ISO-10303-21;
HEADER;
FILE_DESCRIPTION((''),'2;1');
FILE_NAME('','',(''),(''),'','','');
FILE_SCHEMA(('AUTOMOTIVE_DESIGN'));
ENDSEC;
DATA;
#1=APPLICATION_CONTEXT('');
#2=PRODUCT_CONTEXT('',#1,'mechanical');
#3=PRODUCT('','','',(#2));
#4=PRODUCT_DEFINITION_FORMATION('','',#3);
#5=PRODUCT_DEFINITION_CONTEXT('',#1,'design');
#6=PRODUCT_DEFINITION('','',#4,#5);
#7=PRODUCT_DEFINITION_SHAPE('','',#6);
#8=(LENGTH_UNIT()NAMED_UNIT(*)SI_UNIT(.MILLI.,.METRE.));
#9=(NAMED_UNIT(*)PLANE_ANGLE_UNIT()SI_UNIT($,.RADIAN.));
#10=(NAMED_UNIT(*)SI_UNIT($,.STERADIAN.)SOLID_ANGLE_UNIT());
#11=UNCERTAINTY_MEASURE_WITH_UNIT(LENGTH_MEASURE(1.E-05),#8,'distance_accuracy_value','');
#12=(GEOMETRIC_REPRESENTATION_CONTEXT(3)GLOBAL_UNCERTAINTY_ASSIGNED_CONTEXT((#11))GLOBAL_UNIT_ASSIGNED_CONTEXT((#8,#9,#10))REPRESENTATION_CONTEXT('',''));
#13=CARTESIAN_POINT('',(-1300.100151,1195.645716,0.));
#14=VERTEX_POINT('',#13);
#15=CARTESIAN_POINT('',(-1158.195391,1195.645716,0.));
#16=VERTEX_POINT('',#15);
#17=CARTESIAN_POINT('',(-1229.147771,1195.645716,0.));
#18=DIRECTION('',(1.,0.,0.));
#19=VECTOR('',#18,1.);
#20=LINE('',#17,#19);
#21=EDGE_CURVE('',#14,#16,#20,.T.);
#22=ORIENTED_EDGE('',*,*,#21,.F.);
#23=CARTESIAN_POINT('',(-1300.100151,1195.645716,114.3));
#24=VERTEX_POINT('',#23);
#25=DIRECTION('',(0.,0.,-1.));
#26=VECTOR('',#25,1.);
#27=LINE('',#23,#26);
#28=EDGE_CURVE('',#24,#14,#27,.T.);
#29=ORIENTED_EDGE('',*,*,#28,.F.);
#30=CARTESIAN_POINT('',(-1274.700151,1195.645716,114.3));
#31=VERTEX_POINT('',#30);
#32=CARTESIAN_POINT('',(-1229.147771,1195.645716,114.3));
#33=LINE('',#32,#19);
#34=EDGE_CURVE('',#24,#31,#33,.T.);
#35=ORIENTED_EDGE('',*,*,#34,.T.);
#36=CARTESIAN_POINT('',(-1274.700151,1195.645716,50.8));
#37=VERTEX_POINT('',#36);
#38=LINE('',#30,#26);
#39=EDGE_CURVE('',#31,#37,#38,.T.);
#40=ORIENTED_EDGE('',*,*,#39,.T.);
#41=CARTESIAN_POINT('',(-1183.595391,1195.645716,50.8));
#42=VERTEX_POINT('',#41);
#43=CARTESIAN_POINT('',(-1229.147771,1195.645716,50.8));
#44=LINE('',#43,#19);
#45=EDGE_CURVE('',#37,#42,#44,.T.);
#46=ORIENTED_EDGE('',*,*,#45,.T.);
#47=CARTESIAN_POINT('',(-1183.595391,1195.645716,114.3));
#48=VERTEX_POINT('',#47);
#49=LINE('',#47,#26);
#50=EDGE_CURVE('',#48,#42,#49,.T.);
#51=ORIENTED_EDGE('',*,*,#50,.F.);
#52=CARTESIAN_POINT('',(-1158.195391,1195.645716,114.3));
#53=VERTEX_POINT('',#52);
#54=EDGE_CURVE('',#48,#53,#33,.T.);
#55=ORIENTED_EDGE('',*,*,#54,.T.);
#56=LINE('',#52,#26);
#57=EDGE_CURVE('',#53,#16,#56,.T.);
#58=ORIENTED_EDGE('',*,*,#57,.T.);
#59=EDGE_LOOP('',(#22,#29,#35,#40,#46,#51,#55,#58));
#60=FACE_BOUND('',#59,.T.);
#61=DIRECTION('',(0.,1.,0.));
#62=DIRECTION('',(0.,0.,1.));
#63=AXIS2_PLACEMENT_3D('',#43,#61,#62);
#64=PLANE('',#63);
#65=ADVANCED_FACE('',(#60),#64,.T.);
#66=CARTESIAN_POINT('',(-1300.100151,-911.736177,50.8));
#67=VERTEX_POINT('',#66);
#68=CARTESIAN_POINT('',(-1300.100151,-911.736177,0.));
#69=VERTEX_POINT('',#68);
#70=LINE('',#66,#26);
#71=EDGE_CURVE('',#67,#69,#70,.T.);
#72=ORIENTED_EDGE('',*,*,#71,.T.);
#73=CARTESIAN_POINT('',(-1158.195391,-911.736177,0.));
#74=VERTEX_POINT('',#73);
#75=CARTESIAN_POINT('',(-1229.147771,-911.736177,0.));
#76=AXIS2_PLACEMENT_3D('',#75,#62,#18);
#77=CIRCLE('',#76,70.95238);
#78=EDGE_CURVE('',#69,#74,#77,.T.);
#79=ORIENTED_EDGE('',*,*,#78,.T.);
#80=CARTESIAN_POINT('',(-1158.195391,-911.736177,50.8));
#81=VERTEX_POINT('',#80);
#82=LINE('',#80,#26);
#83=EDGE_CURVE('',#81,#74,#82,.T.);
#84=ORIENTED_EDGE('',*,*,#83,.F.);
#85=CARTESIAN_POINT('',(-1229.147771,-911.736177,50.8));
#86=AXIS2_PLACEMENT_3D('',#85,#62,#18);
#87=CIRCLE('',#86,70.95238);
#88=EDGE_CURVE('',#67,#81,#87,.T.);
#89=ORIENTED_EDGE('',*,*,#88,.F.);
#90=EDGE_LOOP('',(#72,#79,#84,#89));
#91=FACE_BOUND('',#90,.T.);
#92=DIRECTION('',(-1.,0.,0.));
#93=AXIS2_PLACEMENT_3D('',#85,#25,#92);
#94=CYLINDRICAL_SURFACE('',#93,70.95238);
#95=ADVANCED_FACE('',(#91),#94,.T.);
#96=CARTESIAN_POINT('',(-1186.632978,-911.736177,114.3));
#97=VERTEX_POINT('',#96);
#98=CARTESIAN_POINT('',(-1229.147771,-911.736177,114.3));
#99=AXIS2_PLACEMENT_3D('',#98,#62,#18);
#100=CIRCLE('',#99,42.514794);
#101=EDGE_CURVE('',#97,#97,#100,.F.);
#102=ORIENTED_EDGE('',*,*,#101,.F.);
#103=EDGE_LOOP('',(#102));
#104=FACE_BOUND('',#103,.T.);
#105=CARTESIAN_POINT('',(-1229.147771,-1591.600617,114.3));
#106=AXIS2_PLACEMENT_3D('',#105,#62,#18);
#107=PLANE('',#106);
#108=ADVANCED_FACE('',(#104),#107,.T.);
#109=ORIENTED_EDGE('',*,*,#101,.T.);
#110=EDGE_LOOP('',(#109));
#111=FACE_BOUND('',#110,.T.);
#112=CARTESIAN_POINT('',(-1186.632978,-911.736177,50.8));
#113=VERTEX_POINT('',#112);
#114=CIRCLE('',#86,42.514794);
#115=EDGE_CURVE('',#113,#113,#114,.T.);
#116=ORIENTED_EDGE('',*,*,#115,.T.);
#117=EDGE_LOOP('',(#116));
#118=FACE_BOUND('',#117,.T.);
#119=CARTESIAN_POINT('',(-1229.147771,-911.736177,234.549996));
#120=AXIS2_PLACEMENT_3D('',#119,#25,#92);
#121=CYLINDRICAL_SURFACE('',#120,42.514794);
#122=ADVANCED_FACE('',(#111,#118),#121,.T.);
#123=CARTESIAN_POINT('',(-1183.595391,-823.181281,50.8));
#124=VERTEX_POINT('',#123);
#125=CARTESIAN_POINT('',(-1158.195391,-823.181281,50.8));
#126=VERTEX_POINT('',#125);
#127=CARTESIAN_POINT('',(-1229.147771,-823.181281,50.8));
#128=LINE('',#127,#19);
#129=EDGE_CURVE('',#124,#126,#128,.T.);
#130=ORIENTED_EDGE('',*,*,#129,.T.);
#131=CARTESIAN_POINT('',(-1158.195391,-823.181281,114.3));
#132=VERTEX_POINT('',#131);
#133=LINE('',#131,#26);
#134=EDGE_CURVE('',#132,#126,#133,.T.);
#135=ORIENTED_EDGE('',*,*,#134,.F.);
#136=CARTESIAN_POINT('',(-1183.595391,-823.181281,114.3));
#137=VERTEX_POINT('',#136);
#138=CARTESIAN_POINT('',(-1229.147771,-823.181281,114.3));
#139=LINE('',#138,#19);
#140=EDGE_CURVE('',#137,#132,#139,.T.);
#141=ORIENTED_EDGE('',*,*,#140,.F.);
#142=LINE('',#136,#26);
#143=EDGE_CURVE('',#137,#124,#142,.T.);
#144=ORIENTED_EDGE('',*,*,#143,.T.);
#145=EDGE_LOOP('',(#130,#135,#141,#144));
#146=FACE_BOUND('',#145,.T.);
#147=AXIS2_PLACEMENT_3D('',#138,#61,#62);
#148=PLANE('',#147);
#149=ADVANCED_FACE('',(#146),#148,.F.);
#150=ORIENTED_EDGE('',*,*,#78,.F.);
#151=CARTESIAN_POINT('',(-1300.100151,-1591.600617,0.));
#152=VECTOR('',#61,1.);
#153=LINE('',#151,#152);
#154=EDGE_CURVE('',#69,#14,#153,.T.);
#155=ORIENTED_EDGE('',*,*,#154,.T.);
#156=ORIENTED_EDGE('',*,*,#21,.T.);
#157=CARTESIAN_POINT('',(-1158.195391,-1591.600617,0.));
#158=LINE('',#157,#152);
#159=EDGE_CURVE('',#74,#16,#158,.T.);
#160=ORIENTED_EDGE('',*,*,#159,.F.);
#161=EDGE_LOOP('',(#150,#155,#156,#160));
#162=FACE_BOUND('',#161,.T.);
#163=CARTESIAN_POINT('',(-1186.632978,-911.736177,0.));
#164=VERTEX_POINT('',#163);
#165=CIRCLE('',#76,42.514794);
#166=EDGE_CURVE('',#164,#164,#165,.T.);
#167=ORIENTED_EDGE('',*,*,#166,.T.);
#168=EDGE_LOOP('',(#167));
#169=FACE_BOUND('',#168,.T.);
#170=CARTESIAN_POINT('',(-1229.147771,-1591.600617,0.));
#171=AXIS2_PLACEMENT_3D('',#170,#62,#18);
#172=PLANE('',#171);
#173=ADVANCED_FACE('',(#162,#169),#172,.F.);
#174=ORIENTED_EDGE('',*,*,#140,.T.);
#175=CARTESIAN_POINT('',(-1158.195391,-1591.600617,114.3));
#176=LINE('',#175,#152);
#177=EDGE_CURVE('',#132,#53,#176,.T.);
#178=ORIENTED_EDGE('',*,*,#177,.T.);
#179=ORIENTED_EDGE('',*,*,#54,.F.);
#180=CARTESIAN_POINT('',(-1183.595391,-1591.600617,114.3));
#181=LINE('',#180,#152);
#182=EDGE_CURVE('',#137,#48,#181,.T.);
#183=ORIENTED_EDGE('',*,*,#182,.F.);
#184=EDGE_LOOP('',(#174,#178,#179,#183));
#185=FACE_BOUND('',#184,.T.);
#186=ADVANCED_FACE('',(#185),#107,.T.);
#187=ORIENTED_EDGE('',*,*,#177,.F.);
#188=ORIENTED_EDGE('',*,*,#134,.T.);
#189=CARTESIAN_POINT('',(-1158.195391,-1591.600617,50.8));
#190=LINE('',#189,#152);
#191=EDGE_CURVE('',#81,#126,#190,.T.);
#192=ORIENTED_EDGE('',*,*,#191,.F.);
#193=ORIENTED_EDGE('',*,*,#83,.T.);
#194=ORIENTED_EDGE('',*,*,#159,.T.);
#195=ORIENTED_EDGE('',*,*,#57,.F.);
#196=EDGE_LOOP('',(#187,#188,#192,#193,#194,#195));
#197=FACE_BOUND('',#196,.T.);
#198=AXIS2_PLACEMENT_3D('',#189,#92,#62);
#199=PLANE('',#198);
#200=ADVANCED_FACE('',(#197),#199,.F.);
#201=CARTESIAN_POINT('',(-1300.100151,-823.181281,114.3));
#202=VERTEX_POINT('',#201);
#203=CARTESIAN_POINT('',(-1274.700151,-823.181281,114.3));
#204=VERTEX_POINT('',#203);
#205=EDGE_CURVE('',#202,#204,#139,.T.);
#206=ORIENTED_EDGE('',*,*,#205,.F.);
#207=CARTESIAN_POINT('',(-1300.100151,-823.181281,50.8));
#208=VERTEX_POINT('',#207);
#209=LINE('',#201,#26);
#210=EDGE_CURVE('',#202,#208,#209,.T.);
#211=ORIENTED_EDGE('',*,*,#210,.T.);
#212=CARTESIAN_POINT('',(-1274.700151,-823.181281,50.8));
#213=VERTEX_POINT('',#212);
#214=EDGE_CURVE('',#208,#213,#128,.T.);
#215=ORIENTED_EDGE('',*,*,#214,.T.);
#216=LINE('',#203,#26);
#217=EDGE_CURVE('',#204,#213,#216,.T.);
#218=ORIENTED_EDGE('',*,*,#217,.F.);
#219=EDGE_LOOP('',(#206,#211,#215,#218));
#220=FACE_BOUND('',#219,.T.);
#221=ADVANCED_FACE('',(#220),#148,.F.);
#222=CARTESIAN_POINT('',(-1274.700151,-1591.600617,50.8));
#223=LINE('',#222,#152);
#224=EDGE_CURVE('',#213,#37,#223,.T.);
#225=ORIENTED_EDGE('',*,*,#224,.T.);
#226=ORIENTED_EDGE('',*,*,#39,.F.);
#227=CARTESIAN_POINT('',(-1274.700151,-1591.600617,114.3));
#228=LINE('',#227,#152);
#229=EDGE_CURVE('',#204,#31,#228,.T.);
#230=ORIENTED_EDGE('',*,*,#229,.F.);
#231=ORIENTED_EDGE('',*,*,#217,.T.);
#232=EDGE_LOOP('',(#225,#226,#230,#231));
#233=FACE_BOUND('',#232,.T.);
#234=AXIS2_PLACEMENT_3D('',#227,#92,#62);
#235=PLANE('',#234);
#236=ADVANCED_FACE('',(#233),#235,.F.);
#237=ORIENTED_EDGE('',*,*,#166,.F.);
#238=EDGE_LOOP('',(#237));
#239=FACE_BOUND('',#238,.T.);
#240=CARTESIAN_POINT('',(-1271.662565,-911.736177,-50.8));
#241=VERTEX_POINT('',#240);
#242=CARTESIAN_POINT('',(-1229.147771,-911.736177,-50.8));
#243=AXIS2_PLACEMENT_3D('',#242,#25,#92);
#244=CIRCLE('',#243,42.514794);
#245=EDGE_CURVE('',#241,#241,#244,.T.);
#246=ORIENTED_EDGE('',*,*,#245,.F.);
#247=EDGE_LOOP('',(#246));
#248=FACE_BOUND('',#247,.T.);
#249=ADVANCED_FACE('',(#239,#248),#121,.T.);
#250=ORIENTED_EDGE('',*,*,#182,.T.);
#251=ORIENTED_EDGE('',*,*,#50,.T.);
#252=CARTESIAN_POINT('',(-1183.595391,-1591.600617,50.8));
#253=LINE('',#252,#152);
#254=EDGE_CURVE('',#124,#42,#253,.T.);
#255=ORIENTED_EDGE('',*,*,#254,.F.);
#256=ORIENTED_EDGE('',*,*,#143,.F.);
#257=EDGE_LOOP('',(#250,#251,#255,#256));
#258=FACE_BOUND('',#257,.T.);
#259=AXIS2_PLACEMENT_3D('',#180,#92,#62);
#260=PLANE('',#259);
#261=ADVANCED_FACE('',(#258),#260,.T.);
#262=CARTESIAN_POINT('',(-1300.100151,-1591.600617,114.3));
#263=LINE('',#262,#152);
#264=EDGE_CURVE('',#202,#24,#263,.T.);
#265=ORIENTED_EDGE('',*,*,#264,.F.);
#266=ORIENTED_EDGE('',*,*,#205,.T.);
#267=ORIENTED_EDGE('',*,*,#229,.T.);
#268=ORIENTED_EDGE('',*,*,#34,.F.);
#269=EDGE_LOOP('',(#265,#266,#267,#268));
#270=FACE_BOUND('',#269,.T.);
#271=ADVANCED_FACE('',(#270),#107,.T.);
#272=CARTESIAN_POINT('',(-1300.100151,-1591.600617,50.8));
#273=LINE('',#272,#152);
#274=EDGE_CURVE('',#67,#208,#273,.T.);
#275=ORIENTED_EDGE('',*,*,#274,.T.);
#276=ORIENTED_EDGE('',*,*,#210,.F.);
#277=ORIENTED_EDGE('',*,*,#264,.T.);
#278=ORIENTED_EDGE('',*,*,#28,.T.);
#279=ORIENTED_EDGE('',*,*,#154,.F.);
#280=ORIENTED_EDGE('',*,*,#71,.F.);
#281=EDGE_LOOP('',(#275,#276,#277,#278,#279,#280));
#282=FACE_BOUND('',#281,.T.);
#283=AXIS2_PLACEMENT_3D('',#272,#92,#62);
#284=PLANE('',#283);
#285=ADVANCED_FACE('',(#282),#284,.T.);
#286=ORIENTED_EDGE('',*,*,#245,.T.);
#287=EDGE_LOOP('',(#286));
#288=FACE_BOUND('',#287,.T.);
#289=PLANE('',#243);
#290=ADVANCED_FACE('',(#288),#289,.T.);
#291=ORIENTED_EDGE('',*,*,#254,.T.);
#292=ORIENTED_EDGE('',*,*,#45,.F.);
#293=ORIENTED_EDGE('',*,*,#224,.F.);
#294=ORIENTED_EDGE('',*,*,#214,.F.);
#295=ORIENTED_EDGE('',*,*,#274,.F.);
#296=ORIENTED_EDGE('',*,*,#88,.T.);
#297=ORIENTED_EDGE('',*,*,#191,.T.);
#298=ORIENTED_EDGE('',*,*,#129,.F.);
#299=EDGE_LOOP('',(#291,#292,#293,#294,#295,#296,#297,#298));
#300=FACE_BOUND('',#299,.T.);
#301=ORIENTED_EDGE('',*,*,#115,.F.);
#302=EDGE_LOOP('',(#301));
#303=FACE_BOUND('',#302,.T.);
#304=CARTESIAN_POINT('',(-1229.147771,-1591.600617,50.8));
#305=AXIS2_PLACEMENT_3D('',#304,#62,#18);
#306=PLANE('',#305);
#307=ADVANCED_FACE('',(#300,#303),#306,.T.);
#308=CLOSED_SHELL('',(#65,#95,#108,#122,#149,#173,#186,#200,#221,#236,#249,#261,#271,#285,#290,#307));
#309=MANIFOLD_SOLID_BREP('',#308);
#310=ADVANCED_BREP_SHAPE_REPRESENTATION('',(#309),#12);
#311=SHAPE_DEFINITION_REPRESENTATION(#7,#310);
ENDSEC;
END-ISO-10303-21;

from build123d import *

# Parameters (mm, degrees)
SKETCH1_R      = 42.514793855
EXTRUDE1_DEPTH = 50.8
SKETCH1_4_W    = 25.4
SKETCH1_4_H    = 2018.826997117
EXTRUDE2_DEPTH = 114.3
EXTRUDE3_START = 50.8
SKETCH2_R      = 42.514793855
EXTRUDE3_DEPTH = 165.1


with BuildPart() as part:
    # Sketch1 → Extrude1 (new body)
    with BuildSketch(Plane.XY):
        with BuildLine():
            Line((-1183.595391403, 1195.645715897), (-1274.700151443, 1195.645715897))
            Line((-1274.700151443, 1195.645715897), (-1274.700151443, -823.18128122))
            Line((-1274.700151443, -823.18128122), (-1300.100151443, -823.18128122))
            Line((-1300.100151443, -823.18128122), (-1300.100151443, -911.736177467))
            ThreePointArc((-1300.100151443, -911.736177467), (-1229.147771423, -982.688557487), (-1158.195391403, -911.736177467))
            Line((-1158.195391403, -911.736177467), (-1158.195391403, -823.18128122))
            Line((-1158.195391403, -823.18128122), (-1183.595391403, -823.18128122))
            Line((-1183.595391403, -823.18128122), (-1183.595391403, 1195.645715897))
        make_face()
        with Locations((-1229.147771423, -911.736177467)):
            Circle(SKETCH1_R, mode=Mode.SUBTRACT)
    extrude(amount=EXTRUDE1_DEPTH)

    # Sketch1<4> → Extrude2 (add)
    with BuildSketch(Plane.XY):
        with Locations((-1287.400151443, 186.232217339)):
            Rectangle(SKETCH1_4_W, SKETCH1_4_H)
        with Locations((-1170.895391403, 186.232217339)):
            Rectangle(SKETCH1_4_W, SKETCH1_4_H)
    extrude(amount=EXTRUDE2_DEPTH)

    # Sketch2 → Extrude3 (add)
    with BuildSketch(Plane(origin=(0, 0, 0), x_dir=(-1, 0, 0), z_dir=(0, 0, -1)).offset(EXTRUDE3_START)):
        with Locations((1229.147771423, -911.736177467)):
            Circle(SKETCH2_R)
    extrude(amount=-EXTRUDE3_DEPTH)


solid = part.part
